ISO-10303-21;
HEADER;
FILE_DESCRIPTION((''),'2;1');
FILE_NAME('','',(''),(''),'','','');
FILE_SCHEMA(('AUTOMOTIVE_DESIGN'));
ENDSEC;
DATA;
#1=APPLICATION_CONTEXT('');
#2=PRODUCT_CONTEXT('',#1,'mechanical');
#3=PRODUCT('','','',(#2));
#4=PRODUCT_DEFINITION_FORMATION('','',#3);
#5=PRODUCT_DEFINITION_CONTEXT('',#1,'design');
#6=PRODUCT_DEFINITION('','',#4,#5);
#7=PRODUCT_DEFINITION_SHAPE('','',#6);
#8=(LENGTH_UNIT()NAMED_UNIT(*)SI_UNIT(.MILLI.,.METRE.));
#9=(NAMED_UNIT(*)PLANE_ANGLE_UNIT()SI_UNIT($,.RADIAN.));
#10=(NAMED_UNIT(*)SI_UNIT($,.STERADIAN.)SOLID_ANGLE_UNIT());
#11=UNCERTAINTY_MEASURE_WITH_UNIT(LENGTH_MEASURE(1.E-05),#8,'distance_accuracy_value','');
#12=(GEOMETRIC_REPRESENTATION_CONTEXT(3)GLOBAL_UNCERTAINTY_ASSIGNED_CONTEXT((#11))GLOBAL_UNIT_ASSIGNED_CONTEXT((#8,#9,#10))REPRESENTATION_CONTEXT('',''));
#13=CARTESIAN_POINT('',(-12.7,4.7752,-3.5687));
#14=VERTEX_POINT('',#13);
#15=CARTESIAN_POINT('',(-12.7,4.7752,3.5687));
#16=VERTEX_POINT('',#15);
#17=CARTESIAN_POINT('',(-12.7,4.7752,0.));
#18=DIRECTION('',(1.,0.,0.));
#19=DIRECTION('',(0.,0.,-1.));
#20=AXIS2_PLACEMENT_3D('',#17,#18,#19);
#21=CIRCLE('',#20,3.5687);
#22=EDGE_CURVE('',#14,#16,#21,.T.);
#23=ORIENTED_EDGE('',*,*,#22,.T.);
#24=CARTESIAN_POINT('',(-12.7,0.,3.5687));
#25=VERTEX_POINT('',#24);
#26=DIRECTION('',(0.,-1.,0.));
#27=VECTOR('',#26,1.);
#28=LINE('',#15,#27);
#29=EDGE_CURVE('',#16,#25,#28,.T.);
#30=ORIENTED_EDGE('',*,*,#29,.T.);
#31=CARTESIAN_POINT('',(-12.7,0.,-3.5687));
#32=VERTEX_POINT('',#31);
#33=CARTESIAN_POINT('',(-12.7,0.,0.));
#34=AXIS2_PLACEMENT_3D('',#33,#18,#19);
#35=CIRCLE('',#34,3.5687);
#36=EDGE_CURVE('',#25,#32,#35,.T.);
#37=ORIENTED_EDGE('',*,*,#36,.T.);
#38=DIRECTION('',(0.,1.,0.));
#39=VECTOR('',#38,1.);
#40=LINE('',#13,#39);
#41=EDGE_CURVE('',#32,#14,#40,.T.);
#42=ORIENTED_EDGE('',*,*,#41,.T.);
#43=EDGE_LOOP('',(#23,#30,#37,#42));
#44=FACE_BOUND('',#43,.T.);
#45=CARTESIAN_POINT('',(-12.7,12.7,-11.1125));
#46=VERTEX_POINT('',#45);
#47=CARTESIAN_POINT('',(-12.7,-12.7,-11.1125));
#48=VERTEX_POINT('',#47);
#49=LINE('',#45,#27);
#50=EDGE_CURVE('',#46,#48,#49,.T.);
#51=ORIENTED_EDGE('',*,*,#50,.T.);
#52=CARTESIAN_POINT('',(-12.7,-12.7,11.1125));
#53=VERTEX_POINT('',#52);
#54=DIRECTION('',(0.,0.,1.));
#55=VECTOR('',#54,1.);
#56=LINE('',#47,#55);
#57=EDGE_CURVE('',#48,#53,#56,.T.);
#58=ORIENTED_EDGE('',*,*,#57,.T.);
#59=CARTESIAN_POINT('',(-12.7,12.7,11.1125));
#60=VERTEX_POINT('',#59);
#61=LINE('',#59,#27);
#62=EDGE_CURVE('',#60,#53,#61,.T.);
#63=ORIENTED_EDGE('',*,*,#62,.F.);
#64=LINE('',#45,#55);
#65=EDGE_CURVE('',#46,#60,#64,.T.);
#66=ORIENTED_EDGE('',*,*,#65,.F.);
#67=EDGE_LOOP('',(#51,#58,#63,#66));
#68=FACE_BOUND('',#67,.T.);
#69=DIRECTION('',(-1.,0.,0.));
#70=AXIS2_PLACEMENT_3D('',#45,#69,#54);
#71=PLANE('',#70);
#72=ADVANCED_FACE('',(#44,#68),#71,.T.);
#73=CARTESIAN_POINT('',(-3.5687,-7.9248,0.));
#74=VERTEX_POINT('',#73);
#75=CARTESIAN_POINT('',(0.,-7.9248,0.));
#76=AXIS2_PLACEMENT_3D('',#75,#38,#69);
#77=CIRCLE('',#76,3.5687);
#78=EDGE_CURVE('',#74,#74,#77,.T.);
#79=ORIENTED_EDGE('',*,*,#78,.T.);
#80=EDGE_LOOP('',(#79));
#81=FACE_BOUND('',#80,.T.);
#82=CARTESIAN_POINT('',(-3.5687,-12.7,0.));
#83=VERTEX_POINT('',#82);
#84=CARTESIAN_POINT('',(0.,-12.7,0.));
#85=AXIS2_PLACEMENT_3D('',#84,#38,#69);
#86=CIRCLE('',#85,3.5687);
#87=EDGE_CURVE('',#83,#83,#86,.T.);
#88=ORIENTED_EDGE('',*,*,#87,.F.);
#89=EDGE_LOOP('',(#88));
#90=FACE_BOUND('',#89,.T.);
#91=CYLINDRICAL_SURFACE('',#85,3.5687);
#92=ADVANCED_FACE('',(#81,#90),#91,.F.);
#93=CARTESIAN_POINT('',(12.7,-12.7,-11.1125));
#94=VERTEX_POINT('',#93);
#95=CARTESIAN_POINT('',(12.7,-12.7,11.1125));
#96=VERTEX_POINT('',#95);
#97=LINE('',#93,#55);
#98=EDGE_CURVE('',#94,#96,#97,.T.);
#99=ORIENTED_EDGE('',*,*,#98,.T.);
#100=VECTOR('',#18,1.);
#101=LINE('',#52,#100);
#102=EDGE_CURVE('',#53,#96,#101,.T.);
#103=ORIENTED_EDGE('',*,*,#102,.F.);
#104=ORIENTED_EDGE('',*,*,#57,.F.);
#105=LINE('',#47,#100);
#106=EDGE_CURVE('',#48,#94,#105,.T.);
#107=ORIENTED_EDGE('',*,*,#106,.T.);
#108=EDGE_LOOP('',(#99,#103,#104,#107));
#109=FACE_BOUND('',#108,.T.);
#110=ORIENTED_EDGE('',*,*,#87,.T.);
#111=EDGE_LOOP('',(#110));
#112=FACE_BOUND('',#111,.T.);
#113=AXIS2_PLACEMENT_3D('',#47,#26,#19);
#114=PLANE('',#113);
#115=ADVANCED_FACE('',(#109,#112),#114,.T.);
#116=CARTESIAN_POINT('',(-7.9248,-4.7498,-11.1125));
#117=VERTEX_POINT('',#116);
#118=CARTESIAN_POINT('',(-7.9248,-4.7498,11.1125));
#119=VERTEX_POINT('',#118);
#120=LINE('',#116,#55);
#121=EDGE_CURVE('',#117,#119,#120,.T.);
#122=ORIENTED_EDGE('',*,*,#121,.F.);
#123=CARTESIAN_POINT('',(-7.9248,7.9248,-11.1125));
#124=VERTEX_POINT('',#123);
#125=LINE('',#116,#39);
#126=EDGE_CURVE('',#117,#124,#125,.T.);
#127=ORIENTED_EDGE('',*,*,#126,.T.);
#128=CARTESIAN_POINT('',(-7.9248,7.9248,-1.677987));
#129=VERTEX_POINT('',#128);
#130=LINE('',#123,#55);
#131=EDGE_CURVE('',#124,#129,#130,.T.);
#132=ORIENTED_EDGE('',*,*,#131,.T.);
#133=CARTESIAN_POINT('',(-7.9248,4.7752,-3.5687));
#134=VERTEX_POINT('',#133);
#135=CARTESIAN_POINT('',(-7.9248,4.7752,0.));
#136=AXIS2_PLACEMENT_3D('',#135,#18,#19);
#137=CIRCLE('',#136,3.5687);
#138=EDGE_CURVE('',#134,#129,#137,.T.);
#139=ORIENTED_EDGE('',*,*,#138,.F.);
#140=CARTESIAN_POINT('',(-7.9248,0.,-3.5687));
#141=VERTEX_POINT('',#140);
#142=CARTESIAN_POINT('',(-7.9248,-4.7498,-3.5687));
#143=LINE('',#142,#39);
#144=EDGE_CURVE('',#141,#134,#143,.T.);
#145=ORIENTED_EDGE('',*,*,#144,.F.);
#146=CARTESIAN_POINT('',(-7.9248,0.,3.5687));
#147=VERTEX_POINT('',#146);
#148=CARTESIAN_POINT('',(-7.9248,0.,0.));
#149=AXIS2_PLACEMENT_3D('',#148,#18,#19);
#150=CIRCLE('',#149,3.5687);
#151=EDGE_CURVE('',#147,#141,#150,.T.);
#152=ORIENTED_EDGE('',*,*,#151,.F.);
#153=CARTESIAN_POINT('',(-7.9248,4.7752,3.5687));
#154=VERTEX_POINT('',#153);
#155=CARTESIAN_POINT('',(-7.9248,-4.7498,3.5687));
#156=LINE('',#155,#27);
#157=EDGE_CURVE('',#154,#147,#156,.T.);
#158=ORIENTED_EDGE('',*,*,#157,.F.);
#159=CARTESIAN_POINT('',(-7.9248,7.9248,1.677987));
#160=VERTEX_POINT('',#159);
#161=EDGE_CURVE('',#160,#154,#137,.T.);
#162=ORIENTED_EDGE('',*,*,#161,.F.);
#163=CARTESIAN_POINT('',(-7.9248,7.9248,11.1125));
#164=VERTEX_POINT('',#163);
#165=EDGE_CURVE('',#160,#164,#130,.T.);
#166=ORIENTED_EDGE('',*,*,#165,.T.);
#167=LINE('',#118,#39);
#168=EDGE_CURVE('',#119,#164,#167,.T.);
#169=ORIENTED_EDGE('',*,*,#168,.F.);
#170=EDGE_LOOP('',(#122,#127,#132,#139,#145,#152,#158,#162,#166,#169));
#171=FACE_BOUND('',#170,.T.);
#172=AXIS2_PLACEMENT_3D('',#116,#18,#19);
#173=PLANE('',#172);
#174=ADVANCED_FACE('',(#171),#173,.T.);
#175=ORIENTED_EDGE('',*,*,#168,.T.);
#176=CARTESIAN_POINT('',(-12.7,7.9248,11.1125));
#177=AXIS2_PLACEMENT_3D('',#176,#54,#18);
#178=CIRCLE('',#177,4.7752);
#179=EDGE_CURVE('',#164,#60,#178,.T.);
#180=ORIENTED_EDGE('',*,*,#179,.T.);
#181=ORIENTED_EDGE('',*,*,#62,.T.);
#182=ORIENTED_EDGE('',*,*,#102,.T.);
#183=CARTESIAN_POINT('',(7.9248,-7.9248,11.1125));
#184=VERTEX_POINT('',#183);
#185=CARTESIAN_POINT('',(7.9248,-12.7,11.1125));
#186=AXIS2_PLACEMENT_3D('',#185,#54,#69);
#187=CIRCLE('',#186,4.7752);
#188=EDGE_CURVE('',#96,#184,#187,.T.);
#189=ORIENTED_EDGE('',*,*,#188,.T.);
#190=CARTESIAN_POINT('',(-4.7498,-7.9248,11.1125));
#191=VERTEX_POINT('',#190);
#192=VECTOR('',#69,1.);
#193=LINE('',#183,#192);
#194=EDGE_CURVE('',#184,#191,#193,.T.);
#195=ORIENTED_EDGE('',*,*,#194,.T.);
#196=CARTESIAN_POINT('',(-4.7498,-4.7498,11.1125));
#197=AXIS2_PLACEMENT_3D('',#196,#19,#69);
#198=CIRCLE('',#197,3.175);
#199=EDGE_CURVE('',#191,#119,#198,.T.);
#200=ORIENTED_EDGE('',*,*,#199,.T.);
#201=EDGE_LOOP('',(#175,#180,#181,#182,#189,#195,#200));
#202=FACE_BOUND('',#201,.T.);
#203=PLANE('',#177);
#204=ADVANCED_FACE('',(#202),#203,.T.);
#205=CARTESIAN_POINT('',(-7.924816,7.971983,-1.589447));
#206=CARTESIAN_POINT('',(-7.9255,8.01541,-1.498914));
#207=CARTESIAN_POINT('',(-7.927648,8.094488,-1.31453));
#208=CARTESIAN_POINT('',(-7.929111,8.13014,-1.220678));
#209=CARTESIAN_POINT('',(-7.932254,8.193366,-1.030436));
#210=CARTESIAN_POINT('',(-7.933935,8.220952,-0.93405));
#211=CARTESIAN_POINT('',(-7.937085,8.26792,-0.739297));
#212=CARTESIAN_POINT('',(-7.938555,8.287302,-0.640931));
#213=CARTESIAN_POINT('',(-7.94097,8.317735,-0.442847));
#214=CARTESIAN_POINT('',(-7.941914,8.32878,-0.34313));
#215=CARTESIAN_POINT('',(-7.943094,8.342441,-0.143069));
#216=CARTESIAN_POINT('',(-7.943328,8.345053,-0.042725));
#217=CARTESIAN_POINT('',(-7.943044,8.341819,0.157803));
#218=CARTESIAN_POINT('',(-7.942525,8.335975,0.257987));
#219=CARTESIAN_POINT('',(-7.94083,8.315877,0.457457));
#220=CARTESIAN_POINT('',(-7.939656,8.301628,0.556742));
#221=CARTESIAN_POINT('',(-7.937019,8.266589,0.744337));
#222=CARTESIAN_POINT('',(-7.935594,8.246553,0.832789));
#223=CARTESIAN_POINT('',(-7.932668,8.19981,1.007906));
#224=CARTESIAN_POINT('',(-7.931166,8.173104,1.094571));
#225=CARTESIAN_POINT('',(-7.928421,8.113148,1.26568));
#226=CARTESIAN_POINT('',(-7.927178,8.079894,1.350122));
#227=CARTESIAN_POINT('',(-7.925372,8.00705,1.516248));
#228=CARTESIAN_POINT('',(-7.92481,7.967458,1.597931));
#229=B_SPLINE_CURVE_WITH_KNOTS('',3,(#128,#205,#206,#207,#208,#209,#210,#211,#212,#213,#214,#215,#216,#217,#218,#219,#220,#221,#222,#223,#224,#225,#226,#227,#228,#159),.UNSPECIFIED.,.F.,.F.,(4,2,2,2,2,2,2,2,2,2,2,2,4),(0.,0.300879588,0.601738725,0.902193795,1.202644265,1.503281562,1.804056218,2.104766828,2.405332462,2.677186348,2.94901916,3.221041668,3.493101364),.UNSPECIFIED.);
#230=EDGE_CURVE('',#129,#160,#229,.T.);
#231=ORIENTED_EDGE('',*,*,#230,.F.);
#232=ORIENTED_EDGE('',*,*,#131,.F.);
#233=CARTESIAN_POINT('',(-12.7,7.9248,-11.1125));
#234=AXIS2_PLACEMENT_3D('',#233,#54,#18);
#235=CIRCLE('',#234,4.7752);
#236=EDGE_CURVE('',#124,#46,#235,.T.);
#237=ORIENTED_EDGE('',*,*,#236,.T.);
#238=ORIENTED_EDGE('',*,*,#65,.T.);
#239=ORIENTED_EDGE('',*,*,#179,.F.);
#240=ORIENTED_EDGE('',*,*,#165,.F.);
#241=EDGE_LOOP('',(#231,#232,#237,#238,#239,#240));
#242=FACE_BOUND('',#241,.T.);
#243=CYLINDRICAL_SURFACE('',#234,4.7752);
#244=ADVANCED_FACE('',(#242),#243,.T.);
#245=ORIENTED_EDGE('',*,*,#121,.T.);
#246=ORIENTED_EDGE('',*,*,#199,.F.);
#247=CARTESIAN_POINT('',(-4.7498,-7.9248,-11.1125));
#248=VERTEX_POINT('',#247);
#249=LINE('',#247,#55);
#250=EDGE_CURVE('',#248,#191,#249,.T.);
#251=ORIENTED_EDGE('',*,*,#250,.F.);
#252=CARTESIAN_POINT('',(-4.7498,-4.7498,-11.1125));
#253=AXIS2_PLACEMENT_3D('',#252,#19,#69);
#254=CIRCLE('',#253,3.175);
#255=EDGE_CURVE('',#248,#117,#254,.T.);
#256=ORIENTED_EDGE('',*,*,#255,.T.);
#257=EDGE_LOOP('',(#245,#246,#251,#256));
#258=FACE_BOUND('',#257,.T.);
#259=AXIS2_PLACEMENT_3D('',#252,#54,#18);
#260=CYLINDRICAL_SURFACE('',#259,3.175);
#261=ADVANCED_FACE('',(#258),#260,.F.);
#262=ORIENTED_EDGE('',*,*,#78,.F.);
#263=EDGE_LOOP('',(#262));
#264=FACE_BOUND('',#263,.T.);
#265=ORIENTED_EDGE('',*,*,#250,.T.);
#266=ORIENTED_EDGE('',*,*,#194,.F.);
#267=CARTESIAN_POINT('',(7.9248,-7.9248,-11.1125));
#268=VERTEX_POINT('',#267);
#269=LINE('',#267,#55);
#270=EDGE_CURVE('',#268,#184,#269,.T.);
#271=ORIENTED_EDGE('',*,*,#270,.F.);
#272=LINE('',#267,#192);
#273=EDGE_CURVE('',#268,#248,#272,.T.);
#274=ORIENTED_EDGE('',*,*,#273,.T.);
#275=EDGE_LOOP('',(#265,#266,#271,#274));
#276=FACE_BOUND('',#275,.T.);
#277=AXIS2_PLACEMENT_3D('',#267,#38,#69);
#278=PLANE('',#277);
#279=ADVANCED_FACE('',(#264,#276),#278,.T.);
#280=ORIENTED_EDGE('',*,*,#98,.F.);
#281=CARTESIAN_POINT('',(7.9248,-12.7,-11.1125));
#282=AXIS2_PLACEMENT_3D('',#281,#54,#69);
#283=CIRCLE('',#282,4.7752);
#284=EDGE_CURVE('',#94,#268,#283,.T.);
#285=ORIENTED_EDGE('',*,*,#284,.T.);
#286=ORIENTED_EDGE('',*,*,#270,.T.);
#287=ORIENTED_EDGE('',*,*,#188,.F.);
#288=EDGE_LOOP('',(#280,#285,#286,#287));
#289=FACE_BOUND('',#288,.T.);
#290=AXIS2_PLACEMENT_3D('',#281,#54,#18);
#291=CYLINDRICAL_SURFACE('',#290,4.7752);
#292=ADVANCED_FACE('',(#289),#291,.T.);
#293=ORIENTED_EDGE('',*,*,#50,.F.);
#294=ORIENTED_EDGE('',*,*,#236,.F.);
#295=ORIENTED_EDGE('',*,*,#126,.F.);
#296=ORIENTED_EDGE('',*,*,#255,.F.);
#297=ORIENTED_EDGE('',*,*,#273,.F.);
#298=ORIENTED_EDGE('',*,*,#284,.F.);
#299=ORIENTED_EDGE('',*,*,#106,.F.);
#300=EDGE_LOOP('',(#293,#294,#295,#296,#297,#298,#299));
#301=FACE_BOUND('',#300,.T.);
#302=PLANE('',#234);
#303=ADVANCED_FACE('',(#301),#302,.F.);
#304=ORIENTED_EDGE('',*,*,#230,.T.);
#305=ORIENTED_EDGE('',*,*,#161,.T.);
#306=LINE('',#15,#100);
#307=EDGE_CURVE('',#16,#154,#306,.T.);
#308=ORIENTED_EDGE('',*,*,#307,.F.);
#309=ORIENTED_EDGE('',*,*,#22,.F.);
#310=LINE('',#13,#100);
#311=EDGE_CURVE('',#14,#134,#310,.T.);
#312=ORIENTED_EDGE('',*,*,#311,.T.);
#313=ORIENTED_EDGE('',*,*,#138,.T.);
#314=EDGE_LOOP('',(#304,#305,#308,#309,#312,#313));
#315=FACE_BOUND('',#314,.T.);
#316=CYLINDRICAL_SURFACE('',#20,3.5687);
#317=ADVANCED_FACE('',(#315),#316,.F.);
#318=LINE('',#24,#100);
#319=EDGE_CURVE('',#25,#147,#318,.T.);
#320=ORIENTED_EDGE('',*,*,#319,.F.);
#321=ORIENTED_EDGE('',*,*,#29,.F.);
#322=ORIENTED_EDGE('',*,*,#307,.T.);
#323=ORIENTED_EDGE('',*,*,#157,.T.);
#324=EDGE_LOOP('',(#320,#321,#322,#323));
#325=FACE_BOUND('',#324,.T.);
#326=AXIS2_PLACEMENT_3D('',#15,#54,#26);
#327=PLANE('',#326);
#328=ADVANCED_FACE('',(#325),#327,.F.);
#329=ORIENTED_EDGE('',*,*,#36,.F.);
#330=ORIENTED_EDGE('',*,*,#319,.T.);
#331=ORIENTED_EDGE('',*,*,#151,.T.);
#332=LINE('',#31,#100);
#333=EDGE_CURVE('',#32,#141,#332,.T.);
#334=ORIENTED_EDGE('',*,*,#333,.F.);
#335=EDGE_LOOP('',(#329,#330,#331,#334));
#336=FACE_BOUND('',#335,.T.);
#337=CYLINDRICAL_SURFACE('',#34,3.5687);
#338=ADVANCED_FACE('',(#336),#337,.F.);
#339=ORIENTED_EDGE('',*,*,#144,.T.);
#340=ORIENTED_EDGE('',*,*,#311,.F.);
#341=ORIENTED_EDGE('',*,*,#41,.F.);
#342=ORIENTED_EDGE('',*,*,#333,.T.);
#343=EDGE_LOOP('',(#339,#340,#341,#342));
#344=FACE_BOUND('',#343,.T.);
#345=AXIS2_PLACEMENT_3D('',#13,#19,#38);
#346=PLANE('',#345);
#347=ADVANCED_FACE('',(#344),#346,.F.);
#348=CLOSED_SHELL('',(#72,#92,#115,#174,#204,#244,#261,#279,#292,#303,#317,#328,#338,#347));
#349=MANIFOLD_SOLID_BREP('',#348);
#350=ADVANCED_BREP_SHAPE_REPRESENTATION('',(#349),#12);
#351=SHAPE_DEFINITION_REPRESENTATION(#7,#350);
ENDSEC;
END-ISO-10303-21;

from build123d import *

# Parameters (mm, degrees)
BOSS_EXTRUDE1_DEPTH      = 11.1125
BOSS_EXTRUDE1_DEPTH_BACK = 11.1125
CUT_EXTRUDE1_DEPTH       = 21.6248
CUT_EXTRUDE1_DEPTH_BACK  = 5.7752
SKETCH6_R                = 3.5687
CUT_EXTRUDE2_DEPTH       = 5.7752


with BuildPart() as part:
    # Sketch4 → Boss-Extrude1 (new body, two sides)
    with BuildSketch(Plane.XY) as boss_extrude1_sk:
        with BuildLine():
            Line((-12.7, 12.7), (-12.7, -12.7))
            Line((-12.7, -12.7), (12.7, -12.7))
            ThreePointArc((12.7, -12.7), (11.301376302, -9.323423698), (7.9248, -7.9248))
            Line((7.9248, -7.9248), (-4.7498, -7.9248))
            ThreePointArc((-4.7498, -7.9248), (-6.99486403, -6.99486403), (-7.9248, -4.7498))
            Line((-7.9248, -4.7498), (-7.9248, 7.9248))
            ThreePointArc((-7.9248, 7.9248), (-9.323423698, 11.301376302), (-12.7, 12.7))
        make_face()
    extrude(amount=BOSS_EXTRUDE1_DEPTH)
    extrude(boss_extrude1_sk.sketch, amount=-BOSS_EXTRUDE1_DEPTH_BACK)

    # Sketch5 → Cut-Extrude1 (cut, two sides)
    with BuildSketch(Plane(origin=(-7.9248, 0, 0), x_dir=(0, 0, -1), z_dir=(1, 0, 0))) as cut_extrude1_sk:
        with BuildLine():
            Line((3.5687, 4.7752), (3.5687, 0))
            ThreePointArc((3.5687, 0), (0, -3.5687), (-3.5687, 0))
            Line((-3.5687, 0), (-3.5687, 4.7752))
            ThreePointArc((-3.5687, 4.7752), (0, 8.3439), (3.5687, 4.7752))
        make_face()
    extrude(amount=CUT_EXTRUDE1_DEPTH, mode=Mode.SUBTRACT)
    extrude(cut_extrude1_sk.sketch, amount=-CUT_EXTRUDE1_DEPTH_BACK, mode=Mode.SUBTRACT)

    # Sketch6 → Cut-Extrude2 (cut, through all)
    with BuildSketch(Plane(origin=(0, -7.9248, 0), x_dir=(1, 0, 0), z_dir=(0, 1, 0))):
        Circle(SKETCH6_R)
    extrude(amount=-CUT_EXTRUDE2_DEPTH, mode=Mode.SUBTRACT)


solid = part.part
